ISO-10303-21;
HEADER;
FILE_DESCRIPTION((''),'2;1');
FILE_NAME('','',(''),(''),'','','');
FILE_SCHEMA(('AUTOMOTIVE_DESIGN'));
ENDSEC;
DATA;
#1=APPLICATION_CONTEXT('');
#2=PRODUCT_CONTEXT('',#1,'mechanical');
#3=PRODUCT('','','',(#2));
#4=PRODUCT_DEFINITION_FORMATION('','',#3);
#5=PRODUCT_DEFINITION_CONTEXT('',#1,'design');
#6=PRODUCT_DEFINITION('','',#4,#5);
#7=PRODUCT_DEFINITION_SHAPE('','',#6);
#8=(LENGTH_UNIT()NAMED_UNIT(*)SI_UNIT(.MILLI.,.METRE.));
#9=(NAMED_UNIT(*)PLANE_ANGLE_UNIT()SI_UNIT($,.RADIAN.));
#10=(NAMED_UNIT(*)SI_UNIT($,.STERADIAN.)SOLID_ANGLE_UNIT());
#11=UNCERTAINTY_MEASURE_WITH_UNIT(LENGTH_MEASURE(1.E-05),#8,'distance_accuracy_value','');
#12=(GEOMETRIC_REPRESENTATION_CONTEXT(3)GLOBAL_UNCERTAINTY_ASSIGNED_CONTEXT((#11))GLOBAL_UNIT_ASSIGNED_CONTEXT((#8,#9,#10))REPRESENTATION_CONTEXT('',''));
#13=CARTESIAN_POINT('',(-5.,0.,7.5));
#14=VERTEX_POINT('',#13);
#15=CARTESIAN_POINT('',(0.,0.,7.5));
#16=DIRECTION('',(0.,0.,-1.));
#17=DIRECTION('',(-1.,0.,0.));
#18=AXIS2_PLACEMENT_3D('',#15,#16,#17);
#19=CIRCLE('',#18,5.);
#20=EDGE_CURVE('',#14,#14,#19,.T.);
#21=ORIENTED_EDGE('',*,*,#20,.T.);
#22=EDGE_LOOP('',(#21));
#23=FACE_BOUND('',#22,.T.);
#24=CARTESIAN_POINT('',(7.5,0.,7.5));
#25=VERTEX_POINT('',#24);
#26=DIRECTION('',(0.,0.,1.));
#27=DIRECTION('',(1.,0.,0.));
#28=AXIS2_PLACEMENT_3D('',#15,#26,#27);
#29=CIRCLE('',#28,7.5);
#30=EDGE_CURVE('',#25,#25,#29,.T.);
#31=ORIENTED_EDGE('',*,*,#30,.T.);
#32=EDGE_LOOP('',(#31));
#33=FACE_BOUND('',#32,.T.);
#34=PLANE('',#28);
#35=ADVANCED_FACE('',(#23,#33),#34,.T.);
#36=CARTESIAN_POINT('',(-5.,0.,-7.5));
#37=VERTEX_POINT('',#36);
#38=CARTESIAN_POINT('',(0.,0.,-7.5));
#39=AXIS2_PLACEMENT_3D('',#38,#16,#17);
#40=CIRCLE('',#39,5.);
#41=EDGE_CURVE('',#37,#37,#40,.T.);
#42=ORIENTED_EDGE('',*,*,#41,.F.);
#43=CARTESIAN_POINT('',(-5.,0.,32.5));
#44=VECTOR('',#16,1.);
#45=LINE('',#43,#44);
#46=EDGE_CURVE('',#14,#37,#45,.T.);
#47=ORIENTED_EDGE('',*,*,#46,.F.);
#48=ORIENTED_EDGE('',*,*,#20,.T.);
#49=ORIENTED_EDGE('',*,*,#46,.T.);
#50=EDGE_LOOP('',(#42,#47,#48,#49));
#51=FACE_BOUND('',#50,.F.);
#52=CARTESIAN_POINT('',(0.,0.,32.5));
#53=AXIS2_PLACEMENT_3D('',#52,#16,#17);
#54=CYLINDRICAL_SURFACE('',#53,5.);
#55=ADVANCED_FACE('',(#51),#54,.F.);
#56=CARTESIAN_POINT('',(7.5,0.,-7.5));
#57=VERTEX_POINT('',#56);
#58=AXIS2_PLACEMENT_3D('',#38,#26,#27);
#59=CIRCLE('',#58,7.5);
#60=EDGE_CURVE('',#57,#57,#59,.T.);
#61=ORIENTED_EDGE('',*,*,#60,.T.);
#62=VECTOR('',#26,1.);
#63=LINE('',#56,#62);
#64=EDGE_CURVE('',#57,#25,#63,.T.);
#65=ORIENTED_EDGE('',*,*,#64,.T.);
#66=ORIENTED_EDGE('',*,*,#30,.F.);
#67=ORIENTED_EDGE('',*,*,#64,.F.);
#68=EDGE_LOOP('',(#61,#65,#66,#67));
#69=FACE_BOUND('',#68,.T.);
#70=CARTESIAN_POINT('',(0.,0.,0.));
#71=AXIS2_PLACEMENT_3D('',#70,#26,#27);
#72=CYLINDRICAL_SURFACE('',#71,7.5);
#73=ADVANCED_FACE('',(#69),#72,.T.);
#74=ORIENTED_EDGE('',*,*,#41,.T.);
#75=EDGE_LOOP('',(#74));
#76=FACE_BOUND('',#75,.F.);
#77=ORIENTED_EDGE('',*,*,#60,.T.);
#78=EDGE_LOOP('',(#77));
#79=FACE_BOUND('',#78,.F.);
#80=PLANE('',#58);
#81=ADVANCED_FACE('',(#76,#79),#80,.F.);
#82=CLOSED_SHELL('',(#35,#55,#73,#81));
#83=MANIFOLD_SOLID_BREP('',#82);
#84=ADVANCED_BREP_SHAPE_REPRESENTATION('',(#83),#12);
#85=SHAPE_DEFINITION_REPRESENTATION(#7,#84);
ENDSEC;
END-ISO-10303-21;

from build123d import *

# Parameters (mm, degrees)
F0_R     = 7.5
F1_DEPTH = 7.5
F3_D     = 10
F3_DEPTH = 25


with BuildPart() as f1:
    # F0 (on Top) → F1 (new body, symmetric)
    with BuildSketch(Plane.XY):
        Circle(F0_R)
    extrude(amount=F1_DEPTH, both=True)

    # F3
    with Locations(Plane.XY.offset(7.5)):
        with Locations((0, 0)):
            Hole(F3_D / 2, depth=F3_DEPTH)


solid = f1.part
